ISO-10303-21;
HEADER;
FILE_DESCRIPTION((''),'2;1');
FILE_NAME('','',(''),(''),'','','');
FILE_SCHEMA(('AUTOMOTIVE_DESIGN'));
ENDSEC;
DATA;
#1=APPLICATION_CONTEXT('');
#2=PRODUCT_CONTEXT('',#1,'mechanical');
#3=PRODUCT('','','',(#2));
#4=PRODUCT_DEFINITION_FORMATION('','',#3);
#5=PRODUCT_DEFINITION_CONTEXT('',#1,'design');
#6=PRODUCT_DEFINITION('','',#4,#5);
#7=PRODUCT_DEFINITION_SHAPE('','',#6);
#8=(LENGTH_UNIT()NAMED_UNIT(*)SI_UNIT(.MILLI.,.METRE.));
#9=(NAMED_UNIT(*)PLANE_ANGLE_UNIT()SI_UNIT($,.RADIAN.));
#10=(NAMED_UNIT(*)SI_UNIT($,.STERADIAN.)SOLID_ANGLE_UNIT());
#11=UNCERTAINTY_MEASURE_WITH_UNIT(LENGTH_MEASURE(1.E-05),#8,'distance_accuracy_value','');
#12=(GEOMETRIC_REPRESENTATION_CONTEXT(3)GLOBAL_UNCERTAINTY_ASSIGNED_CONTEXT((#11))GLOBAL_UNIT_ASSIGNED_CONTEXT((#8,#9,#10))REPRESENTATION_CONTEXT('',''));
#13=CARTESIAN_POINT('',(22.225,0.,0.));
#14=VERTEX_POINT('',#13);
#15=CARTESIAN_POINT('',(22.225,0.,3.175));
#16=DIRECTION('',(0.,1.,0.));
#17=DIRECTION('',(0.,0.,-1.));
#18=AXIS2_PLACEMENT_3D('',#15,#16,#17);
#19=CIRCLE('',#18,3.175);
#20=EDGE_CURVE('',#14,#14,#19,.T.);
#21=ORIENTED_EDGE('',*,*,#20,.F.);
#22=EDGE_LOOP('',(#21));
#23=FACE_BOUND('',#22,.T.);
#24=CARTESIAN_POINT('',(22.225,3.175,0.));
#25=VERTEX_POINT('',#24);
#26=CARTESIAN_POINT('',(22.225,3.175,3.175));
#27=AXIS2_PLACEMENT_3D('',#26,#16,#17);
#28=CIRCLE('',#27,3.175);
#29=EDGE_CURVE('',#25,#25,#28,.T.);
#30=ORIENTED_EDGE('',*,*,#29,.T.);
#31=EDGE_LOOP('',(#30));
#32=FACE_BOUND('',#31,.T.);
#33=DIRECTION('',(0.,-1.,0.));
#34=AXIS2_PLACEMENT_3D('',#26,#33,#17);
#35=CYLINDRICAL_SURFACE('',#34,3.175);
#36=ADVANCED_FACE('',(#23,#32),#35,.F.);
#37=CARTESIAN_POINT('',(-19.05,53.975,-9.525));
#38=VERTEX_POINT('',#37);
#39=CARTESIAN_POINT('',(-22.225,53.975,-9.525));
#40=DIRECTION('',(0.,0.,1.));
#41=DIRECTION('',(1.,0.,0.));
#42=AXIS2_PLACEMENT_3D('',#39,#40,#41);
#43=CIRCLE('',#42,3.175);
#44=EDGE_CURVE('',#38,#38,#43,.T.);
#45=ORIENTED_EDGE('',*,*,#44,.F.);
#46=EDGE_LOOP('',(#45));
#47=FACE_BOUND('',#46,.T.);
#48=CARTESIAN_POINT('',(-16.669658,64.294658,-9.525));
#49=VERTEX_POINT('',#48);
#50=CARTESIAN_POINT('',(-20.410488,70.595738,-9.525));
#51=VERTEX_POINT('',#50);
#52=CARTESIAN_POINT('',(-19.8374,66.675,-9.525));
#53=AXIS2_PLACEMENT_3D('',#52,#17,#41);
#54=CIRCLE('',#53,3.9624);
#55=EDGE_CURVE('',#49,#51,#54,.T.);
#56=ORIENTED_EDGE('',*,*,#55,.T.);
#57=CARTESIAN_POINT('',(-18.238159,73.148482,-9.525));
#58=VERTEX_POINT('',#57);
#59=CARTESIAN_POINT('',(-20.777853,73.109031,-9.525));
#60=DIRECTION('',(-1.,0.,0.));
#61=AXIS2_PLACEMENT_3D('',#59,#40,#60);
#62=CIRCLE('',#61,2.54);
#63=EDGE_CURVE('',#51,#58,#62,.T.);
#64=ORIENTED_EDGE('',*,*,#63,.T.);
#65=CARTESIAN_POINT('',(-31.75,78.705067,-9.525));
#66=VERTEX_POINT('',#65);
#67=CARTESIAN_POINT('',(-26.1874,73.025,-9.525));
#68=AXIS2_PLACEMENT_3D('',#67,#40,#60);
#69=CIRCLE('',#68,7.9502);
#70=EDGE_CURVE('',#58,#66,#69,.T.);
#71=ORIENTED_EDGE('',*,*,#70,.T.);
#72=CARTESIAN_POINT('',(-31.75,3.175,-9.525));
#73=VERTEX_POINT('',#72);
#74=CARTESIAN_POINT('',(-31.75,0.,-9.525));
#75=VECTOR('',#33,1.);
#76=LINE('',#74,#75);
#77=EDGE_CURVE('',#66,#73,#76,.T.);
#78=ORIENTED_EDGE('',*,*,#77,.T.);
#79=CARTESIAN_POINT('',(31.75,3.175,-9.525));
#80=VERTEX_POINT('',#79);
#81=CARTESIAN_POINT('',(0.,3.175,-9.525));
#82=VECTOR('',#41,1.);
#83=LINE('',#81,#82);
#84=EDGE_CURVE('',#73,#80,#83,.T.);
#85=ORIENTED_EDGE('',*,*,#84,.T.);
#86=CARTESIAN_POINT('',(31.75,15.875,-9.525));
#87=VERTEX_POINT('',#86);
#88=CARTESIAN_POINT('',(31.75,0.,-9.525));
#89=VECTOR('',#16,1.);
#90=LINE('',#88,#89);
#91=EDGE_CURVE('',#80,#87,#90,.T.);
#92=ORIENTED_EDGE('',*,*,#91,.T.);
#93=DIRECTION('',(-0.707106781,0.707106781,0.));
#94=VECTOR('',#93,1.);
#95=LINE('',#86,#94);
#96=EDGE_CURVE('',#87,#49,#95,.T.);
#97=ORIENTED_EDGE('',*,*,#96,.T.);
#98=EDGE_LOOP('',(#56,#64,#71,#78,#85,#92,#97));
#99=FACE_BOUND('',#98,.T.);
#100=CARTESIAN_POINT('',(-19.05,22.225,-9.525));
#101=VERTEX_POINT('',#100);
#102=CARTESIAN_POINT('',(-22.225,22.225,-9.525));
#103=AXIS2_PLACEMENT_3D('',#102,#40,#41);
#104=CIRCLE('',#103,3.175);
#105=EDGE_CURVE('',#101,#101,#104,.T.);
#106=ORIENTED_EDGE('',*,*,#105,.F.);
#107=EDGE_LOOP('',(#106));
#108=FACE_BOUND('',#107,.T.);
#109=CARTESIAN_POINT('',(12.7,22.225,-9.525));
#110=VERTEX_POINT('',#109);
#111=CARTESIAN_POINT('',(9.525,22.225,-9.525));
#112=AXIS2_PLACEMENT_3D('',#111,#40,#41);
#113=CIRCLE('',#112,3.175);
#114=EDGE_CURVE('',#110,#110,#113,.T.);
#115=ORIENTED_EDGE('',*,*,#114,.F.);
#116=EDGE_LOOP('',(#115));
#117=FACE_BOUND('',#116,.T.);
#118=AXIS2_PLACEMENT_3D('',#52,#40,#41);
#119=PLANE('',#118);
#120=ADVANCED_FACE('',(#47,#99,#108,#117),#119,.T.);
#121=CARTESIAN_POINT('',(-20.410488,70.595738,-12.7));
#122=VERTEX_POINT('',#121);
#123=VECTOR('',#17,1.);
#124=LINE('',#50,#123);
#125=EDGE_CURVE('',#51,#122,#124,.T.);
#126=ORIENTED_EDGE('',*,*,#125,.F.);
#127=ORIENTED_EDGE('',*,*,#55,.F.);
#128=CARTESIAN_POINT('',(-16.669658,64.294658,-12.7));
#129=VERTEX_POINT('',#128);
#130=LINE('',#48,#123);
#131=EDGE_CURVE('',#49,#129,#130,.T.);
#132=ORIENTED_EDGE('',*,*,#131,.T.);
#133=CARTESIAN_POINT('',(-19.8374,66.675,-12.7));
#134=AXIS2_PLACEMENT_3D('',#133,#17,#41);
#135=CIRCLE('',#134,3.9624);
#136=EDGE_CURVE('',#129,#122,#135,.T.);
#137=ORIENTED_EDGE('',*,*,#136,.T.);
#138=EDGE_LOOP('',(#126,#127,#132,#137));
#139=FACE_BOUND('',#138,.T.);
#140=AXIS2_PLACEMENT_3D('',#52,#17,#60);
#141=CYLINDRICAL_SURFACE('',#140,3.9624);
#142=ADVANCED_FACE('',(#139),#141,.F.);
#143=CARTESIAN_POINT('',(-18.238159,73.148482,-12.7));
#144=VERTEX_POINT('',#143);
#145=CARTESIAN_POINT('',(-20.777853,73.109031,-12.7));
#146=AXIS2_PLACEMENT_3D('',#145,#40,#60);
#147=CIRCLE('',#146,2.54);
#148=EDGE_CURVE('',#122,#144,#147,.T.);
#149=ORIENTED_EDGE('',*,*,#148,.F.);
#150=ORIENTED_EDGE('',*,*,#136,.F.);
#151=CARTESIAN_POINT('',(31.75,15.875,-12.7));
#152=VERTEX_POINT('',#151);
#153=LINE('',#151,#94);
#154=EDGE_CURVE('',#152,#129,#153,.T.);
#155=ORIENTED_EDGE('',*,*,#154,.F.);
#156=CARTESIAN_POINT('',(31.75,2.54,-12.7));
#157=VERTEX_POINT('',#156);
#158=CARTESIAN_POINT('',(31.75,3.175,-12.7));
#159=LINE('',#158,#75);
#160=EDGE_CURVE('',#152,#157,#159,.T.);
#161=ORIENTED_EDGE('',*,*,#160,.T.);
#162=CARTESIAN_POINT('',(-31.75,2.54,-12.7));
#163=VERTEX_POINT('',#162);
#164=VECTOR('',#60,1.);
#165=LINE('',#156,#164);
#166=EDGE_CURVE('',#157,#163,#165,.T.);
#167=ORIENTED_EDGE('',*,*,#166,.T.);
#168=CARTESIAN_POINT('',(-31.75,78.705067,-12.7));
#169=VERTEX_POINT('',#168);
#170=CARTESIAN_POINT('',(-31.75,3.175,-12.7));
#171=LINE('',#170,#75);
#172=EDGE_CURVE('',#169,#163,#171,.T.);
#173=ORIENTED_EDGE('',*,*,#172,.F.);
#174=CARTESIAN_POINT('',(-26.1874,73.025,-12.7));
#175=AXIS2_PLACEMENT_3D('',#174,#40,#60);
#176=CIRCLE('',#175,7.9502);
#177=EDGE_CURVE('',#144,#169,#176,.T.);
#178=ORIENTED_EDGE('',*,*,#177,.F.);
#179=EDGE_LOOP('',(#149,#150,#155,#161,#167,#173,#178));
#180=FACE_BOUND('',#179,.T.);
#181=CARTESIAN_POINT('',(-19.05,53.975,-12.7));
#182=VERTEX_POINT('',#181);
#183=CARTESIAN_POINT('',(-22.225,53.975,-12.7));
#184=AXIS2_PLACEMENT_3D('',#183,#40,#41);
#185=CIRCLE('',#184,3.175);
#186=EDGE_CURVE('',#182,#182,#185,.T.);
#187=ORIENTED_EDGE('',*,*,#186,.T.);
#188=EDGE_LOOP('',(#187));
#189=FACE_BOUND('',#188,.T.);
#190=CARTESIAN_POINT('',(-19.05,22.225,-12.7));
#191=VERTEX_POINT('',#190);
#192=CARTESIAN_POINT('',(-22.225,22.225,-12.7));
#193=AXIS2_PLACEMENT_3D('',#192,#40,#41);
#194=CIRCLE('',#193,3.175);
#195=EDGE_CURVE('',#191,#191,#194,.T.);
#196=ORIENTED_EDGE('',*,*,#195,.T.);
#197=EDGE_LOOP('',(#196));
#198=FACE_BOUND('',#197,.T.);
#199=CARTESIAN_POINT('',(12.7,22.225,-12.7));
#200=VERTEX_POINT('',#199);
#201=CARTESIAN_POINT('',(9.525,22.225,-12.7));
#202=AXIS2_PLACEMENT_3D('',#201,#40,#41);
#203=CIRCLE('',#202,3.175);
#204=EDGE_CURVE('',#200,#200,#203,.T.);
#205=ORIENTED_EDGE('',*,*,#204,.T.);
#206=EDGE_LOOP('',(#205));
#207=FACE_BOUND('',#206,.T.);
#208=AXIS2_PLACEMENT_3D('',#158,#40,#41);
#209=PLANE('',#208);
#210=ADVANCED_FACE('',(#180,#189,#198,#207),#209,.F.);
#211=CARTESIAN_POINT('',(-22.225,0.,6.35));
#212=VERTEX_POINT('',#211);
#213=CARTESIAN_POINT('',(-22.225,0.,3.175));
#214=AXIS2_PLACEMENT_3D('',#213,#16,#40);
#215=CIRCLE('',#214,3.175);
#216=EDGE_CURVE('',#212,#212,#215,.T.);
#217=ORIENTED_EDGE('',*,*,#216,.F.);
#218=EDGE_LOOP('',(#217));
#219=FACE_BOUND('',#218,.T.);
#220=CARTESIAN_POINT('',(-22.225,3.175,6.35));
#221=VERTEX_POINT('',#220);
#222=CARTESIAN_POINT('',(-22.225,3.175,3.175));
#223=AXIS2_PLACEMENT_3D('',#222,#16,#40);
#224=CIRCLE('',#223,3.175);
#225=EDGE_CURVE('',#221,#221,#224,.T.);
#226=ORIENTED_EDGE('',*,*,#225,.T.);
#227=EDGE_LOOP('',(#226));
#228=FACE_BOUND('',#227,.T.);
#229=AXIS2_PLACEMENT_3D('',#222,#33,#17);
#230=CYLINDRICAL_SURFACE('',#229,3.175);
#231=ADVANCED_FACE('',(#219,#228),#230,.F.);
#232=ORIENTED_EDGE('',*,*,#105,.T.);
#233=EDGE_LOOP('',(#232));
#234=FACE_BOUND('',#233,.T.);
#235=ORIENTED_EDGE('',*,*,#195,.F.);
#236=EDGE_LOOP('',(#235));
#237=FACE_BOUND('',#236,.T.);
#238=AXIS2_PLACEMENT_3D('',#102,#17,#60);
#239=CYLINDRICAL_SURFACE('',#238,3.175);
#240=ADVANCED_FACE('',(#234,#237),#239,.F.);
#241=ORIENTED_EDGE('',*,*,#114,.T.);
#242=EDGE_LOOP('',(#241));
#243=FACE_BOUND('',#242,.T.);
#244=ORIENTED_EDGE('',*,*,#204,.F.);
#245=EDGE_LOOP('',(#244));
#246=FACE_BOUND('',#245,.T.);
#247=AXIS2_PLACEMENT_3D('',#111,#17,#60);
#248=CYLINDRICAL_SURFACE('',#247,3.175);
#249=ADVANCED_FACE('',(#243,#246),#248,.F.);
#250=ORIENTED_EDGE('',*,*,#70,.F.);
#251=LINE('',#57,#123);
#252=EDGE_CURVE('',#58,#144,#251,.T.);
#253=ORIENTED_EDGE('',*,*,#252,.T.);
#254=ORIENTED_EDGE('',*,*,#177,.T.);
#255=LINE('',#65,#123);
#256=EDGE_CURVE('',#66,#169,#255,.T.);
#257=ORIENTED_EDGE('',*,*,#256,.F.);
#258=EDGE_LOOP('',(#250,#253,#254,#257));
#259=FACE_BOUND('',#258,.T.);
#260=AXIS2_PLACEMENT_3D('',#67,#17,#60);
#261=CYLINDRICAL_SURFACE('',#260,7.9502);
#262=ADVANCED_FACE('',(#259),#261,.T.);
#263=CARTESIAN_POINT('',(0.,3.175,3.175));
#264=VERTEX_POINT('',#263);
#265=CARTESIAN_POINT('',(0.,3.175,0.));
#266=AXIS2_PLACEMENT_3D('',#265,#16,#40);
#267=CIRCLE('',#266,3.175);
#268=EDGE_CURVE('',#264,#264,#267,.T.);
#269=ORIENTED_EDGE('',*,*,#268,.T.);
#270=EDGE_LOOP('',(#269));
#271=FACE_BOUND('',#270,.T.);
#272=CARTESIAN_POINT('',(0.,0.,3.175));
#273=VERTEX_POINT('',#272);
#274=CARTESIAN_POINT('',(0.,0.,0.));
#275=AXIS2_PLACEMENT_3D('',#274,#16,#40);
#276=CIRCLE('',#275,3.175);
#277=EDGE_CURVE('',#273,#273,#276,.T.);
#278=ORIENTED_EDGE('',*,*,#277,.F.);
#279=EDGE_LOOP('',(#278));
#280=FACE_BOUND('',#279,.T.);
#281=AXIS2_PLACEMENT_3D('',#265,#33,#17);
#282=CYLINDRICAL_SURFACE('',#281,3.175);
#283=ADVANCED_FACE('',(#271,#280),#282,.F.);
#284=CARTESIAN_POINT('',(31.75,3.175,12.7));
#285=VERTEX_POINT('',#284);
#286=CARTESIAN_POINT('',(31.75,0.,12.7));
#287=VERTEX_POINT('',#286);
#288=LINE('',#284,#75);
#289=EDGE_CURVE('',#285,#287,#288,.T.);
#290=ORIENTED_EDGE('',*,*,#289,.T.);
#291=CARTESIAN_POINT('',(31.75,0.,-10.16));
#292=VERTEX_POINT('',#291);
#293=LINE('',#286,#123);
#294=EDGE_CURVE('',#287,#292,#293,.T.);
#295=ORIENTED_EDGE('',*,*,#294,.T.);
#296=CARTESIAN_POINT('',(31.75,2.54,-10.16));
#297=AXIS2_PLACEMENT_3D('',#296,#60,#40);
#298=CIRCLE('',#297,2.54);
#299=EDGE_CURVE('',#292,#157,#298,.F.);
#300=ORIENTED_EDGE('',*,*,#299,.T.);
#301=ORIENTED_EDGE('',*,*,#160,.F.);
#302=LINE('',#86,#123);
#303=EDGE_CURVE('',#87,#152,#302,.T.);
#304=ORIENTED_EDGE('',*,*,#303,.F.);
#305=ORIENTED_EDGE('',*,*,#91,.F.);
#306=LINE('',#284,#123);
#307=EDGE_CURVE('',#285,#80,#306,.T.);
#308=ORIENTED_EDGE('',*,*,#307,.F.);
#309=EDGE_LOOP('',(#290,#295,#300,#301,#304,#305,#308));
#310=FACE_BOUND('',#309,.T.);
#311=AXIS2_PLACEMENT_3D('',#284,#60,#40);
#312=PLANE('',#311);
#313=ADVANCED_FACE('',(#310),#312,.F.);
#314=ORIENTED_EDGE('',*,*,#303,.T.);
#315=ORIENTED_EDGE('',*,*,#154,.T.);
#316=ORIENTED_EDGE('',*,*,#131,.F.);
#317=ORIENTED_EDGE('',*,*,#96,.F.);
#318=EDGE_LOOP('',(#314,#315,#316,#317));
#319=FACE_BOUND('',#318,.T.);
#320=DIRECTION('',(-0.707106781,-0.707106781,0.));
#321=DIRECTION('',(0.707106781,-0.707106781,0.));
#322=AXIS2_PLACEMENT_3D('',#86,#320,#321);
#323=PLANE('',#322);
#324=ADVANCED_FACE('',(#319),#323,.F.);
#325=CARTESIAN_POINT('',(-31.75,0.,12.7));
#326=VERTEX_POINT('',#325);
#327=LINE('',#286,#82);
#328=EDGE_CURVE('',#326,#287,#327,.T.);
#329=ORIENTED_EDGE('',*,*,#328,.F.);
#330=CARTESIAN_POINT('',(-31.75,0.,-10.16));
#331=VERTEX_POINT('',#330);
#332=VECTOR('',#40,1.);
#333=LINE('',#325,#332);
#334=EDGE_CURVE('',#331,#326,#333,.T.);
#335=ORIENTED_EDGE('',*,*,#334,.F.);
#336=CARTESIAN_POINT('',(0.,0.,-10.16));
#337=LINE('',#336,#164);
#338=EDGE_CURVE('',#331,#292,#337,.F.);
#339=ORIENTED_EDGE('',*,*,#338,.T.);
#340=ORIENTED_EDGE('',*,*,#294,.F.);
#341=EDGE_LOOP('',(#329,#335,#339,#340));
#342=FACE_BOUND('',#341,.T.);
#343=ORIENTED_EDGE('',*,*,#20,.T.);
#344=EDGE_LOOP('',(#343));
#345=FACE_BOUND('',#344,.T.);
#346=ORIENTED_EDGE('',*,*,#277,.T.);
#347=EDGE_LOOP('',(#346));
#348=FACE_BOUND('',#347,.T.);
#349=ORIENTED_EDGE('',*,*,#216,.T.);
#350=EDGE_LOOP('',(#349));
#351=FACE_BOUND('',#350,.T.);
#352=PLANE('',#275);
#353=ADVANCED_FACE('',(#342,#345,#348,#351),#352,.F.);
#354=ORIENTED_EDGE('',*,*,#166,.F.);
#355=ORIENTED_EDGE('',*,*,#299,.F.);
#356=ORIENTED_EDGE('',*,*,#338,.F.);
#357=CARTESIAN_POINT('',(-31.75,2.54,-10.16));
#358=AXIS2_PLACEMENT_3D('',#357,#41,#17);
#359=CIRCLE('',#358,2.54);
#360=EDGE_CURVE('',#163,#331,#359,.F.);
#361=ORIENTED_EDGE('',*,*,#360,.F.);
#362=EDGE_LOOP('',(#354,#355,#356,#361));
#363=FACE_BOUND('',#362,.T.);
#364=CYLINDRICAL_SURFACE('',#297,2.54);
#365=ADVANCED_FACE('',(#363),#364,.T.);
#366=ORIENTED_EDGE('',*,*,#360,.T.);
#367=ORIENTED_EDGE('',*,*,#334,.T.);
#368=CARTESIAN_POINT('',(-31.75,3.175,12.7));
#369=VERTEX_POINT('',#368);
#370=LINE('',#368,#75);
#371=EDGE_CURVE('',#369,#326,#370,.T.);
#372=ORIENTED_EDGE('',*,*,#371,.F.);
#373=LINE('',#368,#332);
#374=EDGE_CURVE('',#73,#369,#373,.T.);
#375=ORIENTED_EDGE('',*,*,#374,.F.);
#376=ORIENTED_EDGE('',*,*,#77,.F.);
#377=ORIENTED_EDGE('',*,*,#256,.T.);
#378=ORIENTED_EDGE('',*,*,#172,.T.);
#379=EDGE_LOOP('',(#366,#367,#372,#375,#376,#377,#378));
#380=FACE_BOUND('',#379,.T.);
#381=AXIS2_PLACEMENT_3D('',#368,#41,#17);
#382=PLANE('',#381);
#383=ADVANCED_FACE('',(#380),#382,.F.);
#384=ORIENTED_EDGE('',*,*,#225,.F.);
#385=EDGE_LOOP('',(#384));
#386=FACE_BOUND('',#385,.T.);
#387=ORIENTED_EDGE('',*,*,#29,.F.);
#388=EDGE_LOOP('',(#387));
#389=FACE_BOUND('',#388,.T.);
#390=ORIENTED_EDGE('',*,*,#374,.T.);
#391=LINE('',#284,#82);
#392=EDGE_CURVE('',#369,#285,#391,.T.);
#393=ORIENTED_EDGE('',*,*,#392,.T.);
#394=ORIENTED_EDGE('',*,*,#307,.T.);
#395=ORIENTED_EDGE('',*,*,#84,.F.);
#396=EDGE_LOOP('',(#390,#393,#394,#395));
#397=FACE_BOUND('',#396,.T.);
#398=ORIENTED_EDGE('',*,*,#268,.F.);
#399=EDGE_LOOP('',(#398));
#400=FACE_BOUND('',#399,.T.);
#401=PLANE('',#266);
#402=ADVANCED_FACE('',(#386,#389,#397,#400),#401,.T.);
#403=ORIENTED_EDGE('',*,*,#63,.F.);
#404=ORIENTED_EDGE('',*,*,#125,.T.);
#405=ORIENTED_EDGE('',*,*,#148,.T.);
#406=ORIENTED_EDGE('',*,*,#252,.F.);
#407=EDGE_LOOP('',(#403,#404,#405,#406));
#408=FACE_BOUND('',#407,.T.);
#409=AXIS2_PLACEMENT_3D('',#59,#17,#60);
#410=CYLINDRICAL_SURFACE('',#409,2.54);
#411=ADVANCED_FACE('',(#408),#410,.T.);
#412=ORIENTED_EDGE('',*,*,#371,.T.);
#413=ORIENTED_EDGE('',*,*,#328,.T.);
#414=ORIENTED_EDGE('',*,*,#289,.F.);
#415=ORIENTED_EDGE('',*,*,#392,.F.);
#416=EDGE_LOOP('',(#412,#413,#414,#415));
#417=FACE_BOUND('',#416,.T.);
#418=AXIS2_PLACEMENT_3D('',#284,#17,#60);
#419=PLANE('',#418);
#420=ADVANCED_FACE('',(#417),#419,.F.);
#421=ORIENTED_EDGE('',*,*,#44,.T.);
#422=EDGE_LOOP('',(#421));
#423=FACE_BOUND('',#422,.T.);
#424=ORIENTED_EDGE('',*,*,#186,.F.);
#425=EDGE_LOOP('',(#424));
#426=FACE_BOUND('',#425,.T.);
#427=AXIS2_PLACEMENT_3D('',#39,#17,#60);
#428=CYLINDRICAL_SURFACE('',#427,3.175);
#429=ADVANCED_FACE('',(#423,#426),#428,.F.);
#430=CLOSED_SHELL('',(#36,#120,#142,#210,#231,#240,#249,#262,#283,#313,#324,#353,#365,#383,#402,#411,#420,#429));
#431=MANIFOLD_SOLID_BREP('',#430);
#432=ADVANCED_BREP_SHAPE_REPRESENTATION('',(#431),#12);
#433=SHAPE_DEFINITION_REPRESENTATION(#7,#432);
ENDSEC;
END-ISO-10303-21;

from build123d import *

# Parameters (mm, degrees)
SKETCH1_W           = 63.5
SKETCH1_H           = 25.4
SKETCH1_R           = 3.175
BOSS_EXTRUDE1_DEPTH = 3.175
SKETCH2_R           = 3.175
BOSS_EXTRUDE2_DEPTH = 3.175
FILLET2_R           = 2.54


with BuildPart() as part:
    # Sketch1 → Boss-Extrude1 (new body)
    with BuildSketch(Plane(origin=(0, 0, 0), x_dir=(1, 0, 0), z_dir=(0, 1, 0))):
        Rectangle(SKETCH1_W, SKETCH1_H)
        with Locations(Location((-22.225, -3.175, 0), (0, 0, 270))):
            Circle(SKETCH1_R, mode=Mode.SUBTRACT)
        with Locations(Location((0, 0, 0), (0, 0, 270))):
            Circle(SKETCH1_R, mode=Mode.SUBTRACT)
        with Locations(Location((22.225, -3.175, 0), (0, 0, 90))):
            Circle(SKETCH1_R, mode=Mode.SUBTRACT)
    extrude(amount=BOSS_EXTRUDE1_DEPTH)

    # Sketch2 → Boss-Extrude2 (add)
    with BuildSketch(Plane.XY.offset(-12.7)):
        with BuildLine():
            Line((-31.75, 0), (-31.75, 78.705067014))
            ThreePointArc((-31.75, 78.705067014), (-23.163673383, 80.377738088), (-18.238159017, 73.148482141))
            ThreePointArc((-18.238159017, 73.148482141), (-18.843460583, 71.462906002), (-20.410488317, 70.595737627))
            ThreePointArc((-20.410488317, 70.595737627), (-23.244591892, 64.65221549), (-16.669658329, 64.294658329))
            Line((-16.669658329, 64.294658329), (31.75, 15.875))
            Line((31.75, 15.875), (31.75, 0))
            Line((31.75, 0), (-31.75, 0))
        make_face()
        with Locations((-22.225, 53.975)):
            Circle(SKETCH2_R, mode=Mode.SUBTRACT)
        with Locations((-22.225, 22.225)):
            Circle(SKETCH2_R, mode=Mode.SUBTRACT)
        with Locations((9.525, 22.225)):
            Circle(SKETCH2_R, mode=Mode.SUBTRACT)
    extrude(amount=BOSS_EXTRUDE2_DEPTH)

    # Fillet2
    fillet2_edges = [part.edges().sort_by_distance(p)[0] for p in [
        (0, 0, -12.7),
    ]]
    fillet(fillet2_edges, radius=FILLET2_R)


solid = part.part
